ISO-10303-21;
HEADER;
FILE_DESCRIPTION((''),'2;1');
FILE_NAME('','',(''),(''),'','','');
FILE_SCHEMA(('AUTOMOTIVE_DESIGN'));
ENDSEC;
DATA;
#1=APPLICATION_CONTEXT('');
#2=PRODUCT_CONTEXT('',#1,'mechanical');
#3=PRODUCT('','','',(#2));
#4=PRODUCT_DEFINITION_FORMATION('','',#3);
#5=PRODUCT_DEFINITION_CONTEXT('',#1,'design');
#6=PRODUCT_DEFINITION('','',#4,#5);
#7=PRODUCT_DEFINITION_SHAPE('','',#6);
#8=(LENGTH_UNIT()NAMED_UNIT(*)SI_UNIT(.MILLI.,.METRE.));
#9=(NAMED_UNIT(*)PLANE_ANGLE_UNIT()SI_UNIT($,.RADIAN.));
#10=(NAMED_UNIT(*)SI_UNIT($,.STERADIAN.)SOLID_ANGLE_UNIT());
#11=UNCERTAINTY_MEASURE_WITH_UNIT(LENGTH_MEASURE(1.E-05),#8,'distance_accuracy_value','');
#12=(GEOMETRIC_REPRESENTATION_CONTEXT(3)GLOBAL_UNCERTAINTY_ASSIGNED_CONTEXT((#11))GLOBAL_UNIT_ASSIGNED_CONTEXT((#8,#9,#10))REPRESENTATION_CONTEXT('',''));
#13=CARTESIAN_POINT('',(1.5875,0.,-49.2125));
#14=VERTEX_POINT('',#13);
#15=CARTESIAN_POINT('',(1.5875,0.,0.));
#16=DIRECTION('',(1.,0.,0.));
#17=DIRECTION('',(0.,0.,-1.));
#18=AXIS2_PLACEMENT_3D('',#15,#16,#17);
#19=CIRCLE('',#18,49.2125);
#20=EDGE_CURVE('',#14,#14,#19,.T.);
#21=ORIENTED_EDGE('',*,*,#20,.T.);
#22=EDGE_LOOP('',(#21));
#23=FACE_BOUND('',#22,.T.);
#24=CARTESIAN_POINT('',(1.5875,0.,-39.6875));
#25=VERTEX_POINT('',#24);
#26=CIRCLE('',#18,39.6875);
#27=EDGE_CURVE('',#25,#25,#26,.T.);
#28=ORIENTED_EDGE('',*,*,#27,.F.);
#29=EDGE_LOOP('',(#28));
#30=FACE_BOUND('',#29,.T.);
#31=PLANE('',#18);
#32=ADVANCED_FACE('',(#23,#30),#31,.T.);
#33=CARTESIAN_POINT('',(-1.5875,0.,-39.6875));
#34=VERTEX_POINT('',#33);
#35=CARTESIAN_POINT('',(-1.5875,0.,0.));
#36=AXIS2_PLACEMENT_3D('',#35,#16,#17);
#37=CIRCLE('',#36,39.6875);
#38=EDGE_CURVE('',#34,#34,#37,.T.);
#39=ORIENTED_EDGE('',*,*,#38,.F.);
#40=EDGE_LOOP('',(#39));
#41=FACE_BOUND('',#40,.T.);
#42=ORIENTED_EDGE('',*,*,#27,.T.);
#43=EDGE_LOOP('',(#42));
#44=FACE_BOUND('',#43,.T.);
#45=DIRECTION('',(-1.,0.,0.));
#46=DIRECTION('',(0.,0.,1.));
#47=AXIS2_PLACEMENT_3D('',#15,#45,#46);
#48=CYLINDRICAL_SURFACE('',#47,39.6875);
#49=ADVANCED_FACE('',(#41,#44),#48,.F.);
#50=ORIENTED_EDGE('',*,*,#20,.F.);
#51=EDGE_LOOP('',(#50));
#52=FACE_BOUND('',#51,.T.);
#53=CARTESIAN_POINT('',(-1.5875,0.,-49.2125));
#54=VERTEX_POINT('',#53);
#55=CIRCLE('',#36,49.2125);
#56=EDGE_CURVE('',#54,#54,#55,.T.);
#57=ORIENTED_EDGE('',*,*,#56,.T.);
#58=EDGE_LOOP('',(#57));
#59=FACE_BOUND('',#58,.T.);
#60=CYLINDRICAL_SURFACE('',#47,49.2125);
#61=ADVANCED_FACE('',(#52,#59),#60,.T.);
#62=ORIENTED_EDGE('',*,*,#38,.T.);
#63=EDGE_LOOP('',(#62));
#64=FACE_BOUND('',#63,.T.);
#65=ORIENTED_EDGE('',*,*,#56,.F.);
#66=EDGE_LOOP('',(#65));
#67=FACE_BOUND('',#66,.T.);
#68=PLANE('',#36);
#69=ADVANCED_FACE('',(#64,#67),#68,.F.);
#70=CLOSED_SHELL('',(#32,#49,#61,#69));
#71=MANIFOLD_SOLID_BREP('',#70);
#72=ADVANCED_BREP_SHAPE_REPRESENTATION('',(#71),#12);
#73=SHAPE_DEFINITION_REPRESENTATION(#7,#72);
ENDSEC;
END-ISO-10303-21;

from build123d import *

# Parameters (mm, degrees)
SKETCH2_R           = 49.2125
SKETCH2_R_2         = 39.6875
BOSS_EXTRUDE1_DEPTH = 1.5875


with BuildPart() as part:
    # Sketch2 → Boss-Extrude1 (new, symmetric)
    with BuildSketch(Plane(origin=(0, 0, 0), x_dir=(0, 0, -1), z_dir=(1, 0, 0))):
        Circle(SKETCH2_R)
        Circle(SKETCH2_R_2, mode=Mode.SUBTRACT)
    extrude(amount=BOSS_EXTRUDE1_DEPTH, both=True)


solid = part.part
